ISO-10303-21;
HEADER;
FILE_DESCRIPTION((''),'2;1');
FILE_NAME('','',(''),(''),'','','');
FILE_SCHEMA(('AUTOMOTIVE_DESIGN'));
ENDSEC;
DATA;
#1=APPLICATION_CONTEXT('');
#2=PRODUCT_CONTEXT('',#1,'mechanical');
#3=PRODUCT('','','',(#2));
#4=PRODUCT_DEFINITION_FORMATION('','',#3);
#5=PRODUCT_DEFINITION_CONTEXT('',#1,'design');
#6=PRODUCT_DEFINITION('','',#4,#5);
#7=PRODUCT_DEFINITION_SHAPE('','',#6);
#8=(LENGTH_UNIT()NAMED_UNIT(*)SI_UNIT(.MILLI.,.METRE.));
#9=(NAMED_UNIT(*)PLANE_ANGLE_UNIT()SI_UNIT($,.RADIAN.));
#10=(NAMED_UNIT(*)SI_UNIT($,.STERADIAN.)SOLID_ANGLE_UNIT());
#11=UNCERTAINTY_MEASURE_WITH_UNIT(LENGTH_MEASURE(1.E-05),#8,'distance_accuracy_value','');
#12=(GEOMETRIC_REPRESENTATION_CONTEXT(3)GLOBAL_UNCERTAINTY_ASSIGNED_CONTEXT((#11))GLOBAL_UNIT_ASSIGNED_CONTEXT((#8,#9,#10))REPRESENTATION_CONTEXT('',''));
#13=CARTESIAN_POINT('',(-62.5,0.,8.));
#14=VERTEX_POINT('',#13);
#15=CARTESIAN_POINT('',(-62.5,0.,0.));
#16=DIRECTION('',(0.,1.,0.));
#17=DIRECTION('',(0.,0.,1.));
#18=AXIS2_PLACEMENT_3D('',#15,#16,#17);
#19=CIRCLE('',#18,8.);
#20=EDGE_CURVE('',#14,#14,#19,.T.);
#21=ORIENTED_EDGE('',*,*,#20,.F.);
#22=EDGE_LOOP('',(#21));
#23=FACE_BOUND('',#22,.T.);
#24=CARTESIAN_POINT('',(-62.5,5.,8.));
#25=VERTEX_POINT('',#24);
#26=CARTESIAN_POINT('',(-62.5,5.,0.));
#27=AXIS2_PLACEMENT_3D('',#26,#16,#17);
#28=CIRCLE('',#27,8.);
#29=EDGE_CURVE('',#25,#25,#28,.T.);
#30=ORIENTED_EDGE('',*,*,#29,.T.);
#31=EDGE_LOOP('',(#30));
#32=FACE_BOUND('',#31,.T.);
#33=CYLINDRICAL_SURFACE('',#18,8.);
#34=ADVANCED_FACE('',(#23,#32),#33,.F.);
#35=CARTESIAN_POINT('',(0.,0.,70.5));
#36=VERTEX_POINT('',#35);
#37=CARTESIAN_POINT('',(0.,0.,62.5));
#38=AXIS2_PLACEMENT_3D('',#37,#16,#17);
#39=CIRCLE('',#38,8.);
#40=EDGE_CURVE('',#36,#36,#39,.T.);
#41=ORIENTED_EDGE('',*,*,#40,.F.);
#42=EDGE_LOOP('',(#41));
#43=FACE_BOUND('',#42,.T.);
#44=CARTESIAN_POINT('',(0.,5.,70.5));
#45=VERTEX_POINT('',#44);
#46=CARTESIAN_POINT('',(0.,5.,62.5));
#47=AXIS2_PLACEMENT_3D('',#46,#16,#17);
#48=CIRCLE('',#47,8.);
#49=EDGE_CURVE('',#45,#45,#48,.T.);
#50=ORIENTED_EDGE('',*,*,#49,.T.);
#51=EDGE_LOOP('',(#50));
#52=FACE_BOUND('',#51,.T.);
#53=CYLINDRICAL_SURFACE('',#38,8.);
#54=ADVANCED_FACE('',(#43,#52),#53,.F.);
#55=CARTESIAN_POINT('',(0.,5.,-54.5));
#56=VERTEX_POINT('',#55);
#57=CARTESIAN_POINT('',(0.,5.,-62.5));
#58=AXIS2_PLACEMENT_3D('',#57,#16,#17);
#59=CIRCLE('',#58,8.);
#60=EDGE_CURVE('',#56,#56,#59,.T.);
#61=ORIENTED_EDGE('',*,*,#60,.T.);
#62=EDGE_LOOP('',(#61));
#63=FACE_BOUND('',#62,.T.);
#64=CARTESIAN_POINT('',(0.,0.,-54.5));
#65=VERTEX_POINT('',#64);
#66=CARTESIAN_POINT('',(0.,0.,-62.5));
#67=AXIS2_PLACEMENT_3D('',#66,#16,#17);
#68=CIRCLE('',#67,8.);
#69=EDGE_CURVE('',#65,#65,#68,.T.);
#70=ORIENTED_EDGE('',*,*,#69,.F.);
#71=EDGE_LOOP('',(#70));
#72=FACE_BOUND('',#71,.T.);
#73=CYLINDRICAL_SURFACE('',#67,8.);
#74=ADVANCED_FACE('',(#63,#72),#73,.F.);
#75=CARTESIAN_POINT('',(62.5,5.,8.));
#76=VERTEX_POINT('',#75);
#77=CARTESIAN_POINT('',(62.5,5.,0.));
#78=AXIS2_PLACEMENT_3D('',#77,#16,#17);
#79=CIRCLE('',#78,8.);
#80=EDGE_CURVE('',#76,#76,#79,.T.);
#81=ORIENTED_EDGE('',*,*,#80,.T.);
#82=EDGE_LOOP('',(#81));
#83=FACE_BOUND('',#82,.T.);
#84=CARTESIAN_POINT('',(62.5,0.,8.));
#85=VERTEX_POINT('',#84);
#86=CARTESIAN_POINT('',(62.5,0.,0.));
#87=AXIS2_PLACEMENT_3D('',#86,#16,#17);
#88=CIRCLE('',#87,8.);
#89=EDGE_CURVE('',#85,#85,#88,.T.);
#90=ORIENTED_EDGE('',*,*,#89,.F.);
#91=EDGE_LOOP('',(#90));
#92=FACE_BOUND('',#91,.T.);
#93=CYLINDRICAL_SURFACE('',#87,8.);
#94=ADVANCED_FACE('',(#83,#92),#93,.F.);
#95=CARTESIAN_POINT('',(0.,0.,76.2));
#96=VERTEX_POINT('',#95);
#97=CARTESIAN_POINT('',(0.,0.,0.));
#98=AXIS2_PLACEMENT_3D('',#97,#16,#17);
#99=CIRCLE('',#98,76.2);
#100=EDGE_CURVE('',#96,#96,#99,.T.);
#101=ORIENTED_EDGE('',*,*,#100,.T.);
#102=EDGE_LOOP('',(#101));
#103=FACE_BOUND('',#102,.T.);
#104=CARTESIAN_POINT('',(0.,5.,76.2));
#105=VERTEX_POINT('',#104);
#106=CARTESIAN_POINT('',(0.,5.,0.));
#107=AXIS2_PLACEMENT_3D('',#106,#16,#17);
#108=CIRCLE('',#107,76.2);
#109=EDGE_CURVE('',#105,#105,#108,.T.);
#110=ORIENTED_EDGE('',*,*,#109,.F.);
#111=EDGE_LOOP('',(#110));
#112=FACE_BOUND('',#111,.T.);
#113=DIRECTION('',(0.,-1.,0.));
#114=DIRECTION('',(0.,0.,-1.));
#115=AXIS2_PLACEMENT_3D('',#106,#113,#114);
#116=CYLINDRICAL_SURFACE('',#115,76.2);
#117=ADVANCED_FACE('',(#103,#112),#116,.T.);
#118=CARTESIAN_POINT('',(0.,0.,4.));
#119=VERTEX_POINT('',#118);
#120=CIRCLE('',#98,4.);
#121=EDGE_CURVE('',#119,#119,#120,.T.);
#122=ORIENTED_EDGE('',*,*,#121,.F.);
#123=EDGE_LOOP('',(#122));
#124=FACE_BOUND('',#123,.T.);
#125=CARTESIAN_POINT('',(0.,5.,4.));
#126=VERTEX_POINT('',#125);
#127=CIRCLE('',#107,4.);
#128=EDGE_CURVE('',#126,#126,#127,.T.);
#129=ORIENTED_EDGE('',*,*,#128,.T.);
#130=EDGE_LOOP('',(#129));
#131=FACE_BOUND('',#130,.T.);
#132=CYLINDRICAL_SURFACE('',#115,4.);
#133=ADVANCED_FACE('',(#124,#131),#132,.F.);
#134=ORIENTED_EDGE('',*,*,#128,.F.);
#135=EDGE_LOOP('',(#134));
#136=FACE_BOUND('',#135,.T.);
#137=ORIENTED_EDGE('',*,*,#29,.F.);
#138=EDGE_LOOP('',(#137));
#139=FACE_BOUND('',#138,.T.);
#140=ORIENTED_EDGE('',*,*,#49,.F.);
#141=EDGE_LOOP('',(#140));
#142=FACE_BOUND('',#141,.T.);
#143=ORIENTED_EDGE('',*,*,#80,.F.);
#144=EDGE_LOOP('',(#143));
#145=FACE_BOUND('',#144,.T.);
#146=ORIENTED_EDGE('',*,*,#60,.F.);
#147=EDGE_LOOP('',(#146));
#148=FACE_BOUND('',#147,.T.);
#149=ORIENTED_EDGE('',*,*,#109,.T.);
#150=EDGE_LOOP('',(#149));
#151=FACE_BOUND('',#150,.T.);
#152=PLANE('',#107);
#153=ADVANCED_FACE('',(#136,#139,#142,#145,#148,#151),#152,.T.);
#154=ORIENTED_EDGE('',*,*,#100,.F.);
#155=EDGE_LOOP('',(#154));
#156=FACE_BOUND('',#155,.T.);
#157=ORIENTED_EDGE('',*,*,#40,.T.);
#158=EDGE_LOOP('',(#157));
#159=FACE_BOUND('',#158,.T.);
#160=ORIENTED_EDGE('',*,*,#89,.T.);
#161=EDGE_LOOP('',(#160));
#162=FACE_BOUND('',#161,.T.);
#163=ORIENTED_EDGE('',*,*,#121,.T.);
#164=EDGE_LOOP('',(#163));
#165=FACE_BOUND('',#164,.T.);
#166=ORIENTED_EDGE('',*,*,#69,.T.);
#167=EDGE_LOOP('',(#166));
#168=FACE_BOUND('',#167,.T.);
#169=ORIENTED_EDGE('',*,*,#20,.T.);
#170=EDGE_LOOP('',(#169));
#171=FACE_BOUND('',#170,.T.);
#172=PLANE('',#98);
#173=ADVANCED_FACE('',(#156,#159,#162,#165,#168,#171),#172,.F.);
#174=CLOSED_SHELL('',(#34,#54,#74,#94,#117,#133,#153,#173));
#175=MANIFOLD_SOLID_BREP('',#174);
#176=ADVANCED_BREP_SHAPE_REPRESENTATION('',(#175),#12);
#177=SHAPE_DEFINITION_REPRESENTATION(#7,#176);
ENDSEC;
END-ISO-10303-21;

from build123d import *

# Parameters (mm, degrees)
SKETCH1_R           = 76.2
SKETCH1_R_2         = 4
BOSS_EXTRUDE2_DEPTH = 5
SKETCH2_R           = 8
CUT_EXTRUDE1_DEPTH  = 108.879006299


with BuildPart() as part:
    # Sketch1 → Boss-Extrude2 (new body)
    with BuildSketch(Plane(origin=(0, 0, 0), x_dir=(1, 0, 0), z_dir=(0, 1, 0))):
        with Locations(Location((0, 0, 0), (0, 0, 270))):
            Circle(SKETCH1_R)
        with Locations(Location((0, 0, 0), (0, 0, 270))):
            Circle(SKETCH1_R_2, mode=Mode.SUBTRACT)
    extrude(amount=BOSS_EXTRUDE2_DEPTH)

    # Sketch2 → Cut-Extrude1 (cut, through all)
    with BuildSketch(Plane(origin=(0, 5, 0), x_dir=(1, 0, 0), z_dir=(0, 1, 0))):
        with Locations(Location((0, -62.5, 0), (0, 0, 270))):
            Circle(SKETCH2_R)
        with Locations(Location((-62.5, 0, 0), (0, 0, 270))):
            Circle(SKETCH2_R)
        with Locations(Location((0, 62.5, 0), (0, 0, 270))):
            Circle(SKETCH2_R)
        with Locations(Location((62.5, 0, 0), (0, 0, 270))):
            Circle(SKETCH2_R)
    extrude(amount=-CUT_EXTRUDE1_DEPTH, mode=Mode.SUBTRACT)


solid = part.part
